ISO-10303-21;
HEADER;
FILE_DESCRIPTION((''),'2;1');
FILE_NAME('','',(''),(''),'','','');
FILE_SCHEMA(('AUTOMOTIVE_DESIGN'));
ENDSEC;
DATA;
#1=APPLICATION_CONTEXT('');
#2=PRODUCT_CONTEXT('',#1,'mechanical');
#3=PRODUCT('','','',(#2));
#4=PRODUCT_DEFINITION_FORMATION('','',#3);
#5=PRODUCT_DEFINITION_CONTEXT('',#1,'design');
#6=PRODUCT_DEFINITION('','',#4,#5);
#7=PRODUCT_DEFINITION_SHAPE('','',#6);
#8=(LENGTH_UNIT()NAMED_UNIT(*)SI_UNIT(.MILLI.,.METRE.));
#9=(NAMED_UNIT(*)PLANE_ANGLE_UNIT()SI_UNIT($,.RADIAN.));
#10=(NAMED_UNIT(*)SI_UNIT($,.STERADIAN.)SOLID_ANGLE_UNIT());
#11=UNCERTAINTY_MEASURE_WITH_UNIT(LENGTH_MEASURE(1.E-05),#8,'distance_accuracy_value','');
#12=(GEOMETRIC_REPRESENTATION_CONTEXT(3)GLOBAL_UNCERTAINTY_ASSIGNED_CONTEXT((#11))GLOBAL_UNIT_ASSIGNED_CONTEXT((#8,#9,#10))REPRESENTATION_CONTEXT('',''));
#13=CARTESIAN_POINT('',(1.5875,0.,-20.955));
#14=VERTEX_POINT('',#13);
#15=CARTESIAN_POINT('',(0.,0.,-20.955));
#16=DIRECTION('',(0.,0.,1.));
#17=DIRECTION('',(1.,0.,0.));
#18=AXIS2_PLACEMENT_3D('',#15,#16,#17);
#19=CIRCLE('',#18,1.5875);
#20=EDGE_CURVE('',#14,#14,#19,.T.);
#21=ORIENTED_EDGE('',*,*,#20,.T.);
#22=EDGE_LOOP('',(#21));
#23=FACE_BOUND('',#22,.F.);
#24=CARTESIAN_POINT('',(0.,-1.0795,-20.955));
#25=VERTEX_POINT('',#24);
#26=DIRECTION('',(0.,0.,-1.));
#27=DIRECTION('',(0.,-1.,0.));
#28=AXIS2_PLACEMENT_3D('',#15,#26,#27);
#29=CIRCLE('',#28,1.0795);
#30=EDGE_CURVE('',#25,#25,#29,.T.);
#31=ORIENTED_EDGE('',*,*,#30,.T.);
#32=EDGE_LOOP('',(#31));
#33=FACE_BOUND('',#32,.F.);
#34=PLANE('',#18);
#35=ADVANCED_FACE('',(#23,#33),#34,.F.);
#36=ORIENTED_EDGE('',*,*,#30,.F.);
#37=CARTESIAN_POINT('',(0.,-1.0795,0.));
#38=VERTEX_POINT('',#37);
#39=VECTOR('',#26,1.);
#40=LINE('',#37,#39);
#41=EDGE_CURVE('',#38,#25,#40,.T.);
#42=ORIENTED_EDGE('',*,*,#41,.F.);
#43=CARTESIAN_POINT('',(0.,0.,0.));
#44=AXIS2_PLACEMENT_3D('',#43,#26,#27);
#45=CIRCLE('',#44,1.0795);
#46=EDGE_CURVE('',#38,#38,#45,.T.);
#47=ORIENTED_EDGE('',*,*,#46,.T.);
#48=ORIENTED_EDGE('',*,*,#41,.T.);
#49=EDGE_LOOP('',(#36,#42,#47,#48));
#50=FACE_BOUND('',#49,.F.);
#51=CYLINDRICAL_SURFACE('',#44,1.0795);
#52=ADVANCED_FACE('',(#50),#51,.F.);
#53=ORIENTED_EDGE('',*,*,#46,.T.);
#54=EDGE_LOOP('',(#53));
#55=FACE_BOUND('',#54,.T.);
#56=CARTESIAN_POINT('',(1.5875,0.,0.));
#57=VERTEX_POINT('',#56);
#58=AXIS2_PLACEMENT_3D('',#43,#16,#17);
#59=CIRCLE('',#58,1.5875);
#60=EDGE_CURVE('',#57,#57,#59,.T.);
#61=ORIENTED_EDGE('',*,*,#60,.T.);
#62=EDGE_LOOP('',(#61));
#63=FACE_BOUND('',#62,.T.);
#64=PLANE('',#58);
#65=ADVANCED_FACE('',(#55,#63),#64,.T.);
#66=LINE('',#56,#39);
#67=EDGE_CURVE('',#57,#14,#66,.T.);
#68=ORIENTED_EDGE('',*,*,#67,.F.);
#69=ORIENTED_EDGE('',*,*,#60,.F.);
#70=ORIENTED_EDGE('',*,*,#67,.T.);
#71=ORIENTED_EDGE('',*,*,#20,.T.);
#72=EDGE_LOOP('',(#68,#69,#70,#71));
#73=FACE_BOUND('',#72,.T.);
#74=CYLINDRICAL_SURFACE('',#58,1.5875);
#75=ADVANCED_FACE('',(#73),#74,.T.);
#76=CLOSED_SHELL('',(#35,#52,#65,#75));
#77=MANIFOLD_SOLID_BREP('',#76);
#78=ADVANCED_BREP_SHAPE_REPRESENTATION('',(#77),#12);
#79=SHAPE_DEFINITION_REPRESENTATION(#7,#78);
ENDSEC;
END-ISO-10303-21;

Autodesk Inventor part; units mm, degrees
ref_plane "YZ Plane" through (0, 0, 0) normal (1, 0, 0) x (0, 1, 0)
ref_plane "XZ Plane" through (0, 0, 0) normal (0, 1, 0) x (-1, 0, 0)
ref_plane "XY Plane" through (0, 0, 0) normal (0, 0, 1) x (1, 0, 0)
sketch "Sketch1" plane through (0, 0, 0) normal (0, 0, 1) x (1, 0, 0)
  circle A0 centre (0, 0) radius 1.5875
  dimension "d0" = 3.175
extrude "Extrusion1" add sketch "Sketch1" against normal blind 20.955
hole "Hole1" at (0, 0, 0) direction (0, 0, -1) diameter 2.159 end through all
properties part number ".825in Rod"
